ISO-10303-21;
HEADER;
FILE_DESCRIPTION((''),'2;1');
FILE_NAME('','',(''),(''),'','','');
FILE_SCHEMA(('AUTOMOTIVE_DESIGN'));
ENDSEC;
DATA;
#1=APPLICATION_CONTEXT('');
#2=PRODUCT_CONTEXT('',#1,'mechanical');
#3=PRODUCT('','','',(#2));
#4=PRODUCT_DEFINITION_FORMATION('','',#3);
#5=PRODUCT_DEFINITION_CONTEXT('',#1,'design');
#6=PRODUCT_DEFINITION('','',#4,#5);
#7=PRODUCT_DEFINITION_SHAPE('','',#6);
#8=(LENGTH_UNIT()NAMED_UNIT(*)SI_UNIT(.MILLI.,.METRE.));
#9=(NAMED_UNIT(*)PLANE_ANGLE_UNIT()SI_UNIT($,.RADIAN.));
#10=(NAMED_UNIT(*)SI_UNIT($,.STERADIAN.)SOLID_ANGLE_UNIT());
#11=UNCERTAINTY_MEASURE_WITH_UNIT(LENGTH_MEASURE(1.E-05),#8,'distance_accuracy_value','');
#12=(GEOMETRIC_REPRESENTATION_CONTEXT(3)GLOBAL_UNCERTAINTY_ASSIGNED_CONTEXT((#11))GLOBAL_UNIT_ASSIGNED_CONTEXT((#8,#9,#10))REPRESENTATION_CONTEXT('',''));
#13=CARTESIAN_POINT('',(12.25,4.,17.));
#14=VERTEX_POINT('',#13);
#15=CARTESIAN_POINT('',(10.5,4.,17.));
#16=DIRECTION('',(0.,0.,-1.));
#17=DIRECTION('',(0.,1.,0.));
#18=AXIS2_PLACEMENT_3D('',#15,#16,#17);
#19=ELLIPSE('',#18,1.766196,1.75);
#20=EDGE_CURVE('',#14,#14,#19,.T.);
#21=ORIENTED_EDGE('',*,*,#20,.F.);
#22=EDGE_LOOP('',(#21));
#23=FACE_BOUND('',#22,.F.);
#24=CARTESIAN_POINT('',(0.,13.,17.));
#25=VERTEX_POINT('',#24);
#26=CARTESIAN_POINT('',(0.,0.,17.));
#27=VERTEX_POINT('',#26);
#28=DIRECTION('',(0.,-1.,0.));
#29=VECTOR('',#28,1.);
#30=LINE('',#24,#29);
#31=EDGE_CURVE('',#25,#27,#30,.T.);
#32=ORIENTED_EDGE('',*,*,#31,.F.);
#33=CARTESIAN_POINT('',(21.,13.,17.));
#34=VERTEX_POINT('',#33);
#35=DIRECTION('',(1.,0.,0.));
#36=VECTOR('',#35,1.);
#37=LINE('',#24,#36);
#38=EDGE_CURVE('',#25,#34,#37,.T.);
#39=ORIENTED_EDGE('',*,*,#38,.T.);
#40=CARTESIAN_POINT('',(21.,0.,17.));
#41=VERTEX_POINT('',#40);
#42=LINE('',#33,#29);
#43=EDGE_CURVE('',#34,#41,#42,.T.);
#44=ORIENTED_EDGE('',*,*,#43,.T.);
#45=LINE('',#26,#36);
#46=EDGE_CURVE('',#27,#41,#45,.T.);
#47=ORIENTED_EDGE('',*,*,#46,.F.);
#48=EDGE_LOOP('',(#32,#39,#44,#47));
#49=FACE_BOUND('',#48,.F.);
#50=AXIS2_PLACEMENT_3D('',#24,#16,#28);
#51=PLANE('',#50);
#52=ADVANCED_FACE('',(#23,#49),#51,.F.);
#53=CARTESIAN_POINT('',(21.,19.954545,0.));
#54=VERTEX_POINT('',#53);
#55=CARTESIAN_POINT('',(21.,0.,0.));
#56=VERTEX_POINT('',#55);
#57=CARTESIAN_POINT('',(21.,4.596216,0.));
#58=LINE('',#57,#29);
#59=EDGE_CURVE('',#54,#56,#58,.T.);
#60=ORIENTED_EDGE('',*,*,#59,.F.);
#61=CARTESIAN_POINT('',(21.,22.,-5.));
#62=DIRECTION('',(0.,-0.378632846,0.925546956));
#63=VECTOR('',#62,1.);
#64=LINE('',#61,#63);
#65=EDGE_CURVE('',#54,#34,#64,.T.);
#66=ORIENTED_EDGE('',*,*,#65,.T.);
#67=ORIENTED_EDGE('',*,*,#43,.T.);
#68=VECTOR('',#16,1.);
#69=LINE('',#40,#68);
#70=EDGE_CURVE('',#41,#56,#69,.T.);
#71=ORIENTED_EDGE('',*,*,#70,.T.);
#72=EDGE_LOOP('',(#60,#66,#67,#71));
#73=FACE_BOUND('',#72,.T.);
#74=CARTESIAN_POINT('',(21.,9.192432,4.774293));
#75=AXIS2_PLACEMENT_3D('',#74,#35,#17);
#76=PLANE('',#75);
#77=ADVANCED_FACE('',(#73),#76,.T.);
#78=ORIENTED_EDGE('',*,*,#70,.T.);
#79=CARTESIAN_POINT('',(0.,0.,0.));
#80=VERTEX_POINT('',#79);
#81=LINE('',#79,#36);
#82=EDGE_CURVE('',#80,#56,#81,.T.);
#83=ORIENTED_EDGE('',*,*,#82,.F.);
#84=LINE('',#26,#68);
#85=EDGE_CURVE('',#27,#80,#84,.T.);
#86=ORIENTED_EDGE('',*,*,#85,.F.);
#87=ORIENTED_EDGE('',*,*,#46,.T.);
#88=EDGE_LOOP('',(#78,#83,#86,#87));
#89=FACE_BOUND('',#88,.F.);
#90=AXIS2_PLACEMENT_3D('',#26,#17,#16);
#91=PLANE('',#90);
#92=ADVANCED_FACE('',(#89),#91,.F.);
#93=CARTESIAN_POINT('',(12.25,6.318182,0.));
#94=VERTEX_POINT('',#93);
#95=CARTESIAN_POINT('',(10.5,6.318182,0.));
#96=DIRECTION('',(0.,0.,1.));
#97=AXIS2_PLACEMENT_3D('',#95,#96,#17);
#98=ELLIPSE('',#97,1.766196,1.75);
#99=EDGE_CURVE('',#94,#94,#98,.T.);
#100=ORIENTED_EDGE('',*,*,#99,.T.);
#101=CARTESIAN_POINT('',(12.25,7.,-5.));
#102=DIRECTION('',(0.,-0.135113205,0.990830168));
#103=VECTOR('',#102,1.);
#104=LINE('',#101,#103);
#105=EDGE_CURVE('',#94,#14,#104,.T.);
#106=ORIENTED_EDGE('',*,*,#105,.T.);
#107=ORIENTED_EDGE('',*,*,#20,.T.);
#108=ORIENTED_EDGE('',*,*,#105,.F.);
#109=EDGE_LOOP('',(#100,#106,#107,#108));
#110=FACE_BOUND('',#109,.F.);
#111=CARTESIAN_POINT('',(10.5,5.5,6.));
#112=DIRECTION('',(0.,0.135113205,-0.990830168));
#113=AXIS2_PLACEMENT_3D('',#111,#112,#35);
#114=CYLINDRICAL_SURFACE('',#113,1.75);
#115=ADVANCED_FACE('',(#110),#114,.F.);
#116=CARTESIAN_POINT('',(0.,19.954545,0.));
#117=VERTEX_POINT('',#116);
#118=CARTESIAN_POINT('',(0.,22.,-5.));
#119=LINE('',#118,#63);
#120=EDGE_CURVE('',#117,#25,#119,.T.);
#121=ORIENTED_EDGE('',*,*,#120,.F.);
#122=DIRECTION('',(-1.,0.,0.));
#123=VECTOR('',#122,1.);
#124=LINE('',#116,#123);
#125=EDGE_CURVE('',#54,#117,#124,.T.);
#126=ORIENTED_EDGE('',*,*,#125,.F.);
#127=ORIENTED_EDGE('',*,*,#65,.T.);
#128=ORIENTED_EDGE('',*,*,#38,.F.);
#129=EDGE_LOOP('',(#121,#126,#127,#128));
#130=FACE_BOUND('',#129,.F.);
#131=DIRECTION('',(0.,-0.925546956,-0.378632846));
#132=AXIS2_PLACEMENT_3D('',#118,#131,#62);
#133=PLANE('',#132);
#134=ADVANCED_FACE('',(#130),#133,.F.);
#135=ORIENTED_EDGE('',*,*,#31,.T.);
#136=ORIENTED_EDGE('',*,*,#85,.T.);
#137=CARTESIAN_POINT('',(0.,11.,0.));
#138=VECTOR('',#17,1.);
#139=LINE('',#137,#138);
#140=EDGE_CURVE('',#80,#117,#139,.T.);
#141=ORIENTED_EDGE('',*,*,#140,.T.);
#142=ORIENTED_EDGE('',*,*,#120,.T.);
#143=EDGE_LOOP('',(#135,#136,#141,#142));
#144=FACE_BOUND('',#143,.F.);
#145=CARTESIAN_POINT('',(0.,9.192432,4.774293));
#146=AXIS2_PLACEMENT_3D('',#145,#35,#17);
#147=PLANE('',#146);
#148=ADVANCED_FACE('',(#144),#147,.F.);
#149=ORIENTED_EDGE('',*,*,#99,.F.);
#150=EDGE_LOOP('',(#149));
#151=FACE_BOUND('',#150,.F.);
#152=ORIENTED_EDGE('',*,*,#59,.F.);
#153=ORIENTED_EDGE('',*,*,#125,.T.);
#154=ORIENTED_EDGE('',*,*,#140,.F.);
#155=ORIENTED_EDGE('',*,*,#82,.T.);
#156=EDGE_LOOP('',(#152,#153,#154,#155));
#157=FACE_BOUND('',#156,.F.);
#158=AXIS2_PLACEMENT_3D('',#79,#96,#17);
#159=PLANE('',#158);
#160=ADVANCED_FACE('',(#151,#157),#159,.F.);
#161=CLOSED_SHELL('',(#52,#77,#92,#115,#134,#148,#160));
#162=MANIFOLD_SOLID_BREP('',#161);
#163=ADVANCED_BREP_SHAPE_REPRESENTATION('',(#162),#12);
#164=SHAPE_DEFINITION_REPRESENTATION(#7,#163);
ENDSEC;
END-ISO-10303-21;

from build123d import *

# Parameters (mm, degrees)
F1_DEPTH      = 21
F6_DEPTH      = 11.6432544745
F6_DEPTH_BACK = 13.1294997266
F7_W          = 22
F7_H          = 5
F8_DEPTH      = 21.001


with BuildPart() as f1:
    # F0 (on Right) → F1 (new body)
    with BuildSketch(Plane.YZ):
        Polygon((0, 22), (0, 0), (22, 0), (13, 22), align=None)
    extrude(amount=F1_DEPTH)

    # F5 (on line) → F6 (cut, two sides)
    with BuildSketch(Plane(origin=(0, -1.3722109533, 10.0628803245), x_dir=(1, 0, 0), z_dir=(0, 0.1351132047, -0.990830168))) as f6_sk:
        with BuildLine():
            ThreePointArc((8.75, -6.9358111763), (10.5, -8.6858111763), (12.25, -6.9358111763))
            ThreePointArc((12.25, -6.9358111763), (10.5, -5.1858111763), (8.75, -6.9358111763))
        make_face()
    extrude(amount=-F6_DEPTH, mode=Mode.SUBTRACT)
    extrude(f6_sk.sketch, amount=F6_DEPTH_BACK, mode=Mode.SUBTRACT)

    # F7 (on Right) → F8 (cut, through all)
    with BuildSketch(Plane.YZ):
        with Locations((11, 2.5)):
            Rectangle(F7_W, F7_H)
    extrude(amount=F8_DEPTH, mode=Mode.SUBTRACT)


with BuildPart() as f1_1:
    # F9: moved
    add(f1.part.moved(Location((0, 0, -5))))


solid = f1_1.part
